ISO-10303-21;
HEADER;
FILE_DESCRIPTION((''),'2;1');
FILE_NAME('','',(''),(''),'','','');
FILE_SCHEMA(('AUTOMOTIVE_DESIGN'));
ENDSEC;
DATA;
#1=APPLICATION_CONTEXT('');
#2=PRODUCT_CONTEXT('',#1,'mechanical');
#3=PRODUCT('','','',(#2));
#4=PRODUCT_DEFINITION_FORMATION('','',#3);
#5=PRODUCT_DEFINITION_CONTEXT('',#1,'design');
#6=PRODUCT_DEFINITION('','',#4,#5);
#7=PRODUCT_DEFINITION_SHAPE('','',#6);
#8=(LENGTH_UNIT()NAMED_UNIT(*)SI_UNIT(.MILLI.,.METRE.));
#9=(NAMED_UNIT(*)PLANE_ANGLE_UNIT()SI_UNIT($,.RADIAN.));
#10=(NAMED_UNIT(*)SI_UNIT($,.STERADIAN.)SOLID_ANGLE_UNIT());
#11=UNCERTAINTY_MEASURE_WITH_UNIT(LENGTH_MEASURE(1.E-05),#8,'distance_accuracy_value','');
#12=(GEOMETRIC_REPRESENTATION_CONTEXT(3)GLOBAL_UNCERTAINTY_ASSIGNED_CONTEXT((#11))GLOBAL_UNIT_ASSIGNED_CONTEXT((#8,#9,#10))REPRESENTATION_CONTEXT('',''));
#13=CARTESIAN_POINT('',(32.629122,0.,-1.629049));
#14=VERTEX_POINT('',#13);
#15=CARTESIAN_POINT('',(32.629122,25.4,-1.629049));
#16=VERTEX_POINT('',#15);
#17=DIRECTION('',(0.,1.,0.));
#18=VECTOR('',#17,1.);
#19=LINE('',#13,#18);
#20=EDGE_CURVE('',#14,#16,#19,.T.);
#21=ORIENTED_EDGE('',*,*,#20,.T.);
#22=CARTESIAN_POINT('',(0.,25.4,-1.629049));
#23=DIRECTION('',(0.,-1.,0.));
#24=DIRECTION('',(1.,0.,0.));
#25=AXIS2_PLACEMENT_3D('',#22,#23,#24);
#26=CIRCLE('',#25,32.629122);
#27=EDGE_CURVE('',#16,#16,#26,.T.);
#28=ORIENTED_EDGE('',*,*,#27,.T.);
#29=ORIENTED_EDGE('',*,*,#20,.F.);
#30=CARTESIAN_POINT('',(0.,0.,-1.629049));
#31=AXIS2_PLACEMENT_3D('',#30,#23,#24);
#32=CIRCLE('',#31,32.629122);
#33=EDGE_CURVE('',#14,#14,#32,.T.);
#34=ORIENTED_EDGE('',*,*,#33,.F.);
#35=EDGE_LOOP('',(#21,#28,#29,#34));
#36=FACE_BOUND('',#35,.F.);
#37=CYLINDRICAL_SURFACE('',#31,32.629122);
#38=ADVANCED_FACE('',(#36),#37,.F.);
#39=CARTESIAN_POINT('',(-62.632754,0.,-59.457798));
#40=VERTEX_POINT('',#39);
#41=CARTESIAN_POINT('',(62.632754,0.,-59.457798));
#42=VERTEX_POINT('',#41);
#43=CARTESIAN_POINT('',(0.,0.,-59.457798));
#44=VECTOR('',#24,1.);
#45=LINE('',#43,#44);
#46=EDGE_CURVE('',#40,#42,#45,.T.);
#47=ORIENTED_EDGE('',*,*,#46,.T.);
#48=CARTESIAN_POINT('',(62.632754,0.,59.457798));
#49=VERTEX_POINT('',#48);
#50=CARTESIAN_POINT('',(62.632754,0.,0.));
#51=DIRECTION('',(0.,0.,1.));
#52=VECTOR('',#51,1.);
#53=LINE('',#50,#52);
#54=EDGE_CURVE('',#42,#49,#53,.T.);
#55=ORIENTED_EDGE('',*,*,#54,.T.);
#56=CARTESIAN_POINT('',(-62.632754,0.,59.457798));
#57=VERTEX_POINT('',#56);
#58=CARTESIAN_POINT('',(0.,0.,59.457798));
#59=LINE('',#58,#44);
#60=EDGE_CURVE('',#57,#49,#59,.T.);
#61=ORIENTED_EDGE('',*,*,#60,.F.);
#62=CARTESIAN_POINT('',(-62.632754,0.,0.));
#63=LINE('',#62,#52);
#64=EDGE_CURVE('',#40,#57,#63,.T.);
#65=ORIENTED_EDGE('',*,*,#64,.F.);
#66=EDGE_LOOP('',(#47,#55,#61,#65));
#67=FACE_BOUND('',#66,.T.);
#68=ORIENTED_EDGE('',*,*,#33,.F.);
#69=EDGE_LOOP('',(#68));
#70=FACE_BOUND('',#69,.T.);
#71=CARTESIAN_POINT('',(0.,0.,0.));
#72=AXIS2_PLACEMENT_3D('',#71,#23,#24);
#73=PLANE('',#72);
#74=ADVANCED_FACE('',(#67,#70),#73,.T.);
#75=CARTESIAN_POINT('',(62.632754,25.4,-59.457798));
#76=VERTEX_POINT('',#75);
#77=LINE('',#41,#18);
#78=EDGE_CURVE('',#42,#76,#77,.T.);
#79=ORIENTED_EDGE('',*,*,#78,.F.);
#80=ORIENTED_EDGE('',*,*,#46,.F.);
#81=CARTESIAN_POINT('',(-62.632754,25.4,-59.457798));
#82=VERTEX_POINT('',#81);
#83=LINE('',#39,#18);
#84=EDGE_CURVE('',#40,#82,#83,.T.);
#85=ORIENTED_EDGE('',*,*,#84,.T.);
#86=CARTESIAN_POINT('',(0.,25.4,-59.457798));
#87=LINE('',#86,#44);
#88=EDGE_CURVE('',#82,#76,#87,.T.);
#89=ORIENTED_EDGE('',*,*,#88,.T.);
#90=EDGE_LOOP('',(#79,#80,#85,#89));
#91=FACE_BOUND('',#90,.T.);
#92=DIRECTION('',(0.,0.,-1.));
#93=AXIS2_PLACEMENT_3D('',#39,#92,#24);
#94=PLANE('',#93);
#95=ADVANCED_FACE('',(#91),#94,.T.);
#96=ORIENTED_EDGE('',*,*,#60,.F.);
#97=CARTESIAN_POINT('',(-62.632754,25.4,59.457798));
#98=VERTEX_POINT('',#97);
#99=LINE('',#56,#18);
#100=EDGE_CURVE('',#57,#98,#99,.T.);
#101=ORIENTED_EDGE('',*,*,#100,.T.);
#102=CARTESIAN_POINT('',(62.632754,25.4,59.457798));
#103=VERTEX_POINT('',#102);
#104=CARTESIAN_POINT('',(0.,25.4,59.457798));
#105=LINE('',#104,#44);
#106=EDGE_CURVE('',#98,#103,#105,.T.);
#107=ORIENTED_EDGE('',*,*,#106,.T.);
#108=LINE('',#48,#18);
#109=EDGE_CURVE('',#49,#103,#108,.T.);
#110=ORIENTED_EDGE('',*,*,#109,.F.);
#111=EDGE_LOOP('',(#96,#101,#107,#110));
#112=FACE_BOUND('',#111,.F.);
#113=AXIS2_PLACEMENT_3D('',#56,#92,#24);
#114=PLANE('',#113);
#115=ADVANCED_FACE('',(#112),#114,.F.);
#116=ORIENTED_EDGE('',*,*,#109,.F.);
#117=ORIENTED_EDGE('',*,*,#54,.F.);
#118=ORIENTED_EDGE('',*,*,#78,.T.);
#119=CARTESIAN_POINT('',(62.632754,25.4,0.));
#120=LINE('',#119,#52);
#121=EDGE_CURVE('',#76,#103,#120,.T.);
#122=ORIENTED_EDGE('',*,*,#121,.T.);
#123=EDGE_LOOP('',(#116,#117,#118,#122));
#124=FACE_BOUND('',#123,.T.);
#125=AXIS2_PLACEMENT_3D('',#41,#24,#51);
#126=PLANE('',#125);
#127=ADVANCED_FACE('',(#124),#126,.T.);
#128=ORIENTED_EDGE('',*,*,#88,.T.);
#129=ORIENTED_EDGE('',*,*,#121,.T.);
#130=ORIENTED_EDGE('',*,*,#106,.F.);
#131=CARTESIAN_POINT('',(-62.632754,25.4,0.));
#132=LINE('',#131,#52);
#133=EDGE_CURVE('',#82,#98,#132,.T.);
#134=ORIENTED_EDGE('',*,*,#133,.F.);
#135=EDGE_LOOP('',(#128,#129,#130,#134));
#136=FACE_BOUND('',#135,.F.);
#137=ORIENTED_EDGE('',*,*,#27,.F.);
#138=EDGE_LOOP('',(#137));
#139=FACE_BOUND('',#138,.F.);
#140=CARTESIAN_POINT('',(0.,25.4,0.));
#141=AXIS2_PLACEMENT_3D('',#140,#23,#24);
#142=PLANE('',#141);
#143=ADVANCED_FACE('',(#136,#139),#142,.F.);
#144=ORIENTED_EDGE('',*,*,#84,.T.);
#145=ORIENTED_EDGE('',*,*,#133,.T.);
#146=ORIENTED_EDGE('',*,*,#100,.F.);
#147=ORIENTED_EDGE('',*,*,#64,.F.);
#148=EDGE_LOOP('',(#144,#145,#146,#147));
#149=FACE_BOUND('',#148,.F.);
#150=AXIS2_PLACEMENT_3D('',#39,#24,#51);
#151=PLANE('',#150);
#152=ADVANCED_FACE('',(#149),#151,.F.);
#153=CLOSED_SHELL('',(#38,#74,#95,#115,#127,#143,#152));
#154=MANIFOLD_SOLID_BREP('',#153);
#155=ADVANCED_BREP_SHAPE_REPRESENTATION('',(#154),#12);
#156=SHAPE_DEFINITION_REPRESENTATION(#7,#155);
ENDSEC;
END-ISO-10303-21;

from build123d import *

# Parameters (mm, degrees)
F0_W     = 125.265508
F0_H     = 118.915596
F0_R     = 32.629122
F1_DEPTH = 25.4


with BuildPart() as f1:
    # F0 (on Front) → F1 (new body)
    with BuildSketch(Plane.XZ):
        Rectangle(F0_W, F0_H)
        with Locations((0, -1.629049)):
            Circle(F0_R, mode=Mode.SUBTRACT)
    extrude(amount=-F1_DEPTH)


solid = f1.part
